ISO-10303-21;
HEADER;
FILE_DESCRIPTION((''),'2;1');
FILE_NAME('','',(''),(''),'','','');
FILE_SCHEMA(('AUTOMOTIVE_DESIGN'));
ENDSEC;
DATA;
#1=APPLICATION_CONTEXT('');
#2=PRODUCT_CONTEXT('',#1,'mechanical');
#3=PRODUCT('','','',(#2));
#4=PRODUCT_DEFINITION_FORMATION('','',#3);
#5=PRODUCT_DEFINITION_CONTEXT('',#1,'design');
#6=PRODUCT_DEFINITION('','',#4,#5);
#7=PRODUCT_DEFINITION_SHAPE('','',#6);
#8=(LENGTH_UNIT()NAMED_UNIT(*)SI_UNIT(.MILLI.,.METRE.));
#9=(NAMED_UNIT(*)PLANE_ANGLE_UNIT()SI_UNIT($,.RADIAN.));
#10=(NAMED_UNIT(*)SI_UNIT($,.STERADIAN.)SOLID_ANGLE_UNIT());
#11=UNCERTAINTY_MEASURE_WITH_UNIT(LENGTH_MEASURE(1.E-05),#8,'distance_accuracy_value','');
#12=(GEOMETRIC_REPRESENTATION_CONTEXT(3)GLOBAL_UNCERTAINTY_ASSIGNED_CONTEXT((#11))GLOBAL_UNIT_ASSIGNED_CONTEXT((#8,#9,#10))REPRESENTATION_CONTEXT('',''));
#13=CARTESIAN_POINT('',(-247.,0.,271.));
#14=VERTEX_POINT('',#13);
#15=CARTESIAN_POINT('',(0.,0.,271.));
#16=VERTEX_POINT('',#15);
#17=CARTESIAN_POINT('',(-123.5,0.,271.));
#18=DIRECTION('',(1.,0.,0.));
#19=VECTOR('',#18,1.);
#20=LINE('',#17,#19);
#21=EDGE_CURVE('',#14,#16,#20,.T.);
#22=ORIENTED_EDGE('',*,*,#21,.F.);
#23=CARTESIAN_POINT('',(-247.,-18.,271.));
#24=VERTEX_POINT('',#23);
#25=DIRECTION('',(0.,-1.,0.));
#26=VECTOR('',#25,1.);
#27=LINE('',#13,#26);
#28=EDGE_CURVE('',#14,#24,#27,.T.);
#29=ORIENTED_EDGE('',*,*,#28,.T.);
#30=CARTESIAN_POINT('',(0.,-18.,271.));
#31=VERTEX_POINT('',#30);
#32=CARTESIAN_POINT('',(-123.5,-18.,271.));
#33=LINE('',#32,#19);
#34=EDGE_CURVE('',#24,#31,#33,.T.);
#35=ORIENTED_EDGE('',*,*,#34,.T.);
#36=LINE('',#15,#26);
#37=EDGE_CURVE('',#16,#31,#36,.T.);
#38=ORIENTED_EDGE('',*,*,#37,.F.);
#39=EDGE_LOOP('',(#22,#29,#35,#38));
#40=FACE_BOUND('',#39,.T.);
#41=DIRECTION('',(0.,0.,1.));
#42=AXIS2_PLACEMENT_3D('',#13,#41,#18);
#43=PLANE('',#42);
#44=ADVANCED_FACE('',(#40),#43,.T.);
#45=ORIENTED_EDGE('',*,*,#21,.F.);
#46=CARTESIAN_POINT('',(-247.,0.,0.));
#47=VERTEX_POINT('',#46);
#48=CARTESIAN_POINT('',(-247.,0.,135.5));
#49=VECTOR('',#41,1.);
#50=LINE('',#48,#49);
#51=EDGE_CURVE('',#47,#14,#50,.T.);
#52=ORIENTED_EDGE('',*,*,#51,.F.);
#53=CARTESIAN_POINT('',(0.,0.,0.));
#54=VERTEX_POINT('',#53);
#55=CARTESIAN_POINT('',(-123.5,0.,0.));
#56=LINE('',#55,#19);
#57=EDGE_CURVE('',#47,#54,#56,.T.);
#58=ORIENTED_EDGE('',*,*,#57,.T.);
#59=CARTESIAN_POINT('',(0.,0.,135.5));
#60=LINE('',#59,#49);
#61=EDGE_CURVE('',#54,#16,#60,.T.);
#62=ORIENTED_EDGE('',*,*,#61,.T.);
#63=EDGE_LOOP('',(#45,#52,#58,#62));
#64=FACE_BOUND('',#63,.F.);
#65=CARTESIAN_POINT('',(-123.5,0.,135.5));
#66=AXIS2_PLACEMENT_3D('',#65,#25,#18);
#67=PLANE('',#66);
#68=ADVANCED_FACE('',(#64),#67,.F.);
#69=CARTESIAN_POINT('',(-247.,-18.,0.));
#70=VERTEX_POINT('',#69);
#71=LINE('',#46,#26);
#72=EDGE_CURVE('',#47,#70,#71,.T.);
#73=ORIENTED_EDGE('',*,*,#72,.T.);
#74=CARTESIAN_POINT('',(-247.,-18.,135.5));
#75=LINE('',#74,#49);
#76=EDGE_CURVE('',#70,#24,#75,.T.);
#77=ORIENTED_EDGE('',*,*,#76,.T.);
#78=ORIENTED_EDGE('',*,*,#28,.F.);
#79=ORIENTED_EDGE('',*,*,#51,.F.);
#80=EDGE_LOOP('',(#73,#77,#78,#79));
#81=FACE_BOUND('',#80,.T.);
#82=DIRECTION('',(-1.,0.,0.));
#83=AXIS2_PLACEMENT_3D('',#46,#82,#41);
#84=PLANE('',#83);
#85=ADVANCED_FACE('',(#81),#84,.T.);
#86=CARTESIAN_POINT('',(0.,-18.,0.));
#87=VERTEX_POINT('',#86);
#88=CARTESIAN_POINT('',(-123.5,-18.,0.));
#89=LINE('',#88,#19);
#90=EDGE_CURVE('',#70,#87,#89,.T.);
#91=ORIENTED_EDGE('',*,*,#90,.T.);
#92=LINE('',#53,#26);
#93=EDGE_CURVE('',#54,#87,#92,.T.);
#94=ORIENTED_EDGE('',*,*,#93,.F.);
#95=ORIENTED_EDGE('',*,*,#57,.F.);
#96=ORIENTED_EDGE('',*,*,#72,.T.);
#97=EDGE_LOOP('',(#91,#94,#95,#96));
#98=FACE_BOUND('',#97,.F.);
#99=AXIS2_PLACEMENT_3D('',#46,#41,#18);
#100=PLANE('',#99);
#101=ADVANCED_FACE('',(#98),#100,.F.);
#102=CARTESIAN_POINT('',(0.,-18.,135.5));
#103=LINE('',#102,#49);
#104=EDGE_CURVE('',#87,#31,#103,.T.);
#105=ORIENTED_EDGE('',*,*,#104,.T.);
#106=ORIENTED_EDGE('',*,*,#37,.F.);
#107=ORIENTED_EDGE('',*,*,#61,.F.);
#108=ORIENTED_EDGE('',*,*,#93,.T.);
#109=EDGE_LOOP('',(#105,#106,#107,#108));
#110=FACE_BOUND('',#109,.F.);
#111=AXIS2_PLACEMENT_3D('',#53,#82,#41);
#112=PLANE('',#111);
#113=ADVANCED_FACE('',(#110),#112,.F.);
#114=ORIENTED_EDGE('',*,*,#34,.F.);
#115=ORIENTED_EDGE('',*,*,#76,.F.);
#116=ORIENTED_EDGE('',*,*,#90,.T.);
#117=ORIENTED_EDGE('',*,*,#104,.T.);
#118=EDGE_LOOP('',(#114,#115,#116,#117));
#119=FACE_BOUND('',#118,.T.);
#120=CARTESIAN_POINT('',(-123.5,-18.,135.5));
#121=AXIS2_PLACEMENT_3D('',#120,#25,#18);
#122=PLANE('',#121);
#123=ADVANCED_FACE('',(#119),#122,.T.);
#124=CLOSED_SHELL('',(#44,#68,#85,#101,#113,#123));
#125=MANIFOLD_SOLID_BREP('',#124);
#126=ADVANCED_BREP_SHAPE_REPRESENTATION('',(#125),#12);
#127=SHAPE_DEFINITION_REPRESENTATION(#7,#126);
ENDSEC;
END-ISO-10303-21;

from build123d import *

# Parameters (mm, degrees)
SKETCH_W  = 247
SKETCH_H  = 271
PAD_DEPTH = 18


with BuildPart() as part:
    # Sketch → Pad (new body)
    with BuildSketch(Plane.XZ):
        with Locations((-123.5, 135.5)):
            Rectangle(SKETCH_W, SKETCH_H)
    extrude(amount=PAD_DEPTH)


solid = part.part
